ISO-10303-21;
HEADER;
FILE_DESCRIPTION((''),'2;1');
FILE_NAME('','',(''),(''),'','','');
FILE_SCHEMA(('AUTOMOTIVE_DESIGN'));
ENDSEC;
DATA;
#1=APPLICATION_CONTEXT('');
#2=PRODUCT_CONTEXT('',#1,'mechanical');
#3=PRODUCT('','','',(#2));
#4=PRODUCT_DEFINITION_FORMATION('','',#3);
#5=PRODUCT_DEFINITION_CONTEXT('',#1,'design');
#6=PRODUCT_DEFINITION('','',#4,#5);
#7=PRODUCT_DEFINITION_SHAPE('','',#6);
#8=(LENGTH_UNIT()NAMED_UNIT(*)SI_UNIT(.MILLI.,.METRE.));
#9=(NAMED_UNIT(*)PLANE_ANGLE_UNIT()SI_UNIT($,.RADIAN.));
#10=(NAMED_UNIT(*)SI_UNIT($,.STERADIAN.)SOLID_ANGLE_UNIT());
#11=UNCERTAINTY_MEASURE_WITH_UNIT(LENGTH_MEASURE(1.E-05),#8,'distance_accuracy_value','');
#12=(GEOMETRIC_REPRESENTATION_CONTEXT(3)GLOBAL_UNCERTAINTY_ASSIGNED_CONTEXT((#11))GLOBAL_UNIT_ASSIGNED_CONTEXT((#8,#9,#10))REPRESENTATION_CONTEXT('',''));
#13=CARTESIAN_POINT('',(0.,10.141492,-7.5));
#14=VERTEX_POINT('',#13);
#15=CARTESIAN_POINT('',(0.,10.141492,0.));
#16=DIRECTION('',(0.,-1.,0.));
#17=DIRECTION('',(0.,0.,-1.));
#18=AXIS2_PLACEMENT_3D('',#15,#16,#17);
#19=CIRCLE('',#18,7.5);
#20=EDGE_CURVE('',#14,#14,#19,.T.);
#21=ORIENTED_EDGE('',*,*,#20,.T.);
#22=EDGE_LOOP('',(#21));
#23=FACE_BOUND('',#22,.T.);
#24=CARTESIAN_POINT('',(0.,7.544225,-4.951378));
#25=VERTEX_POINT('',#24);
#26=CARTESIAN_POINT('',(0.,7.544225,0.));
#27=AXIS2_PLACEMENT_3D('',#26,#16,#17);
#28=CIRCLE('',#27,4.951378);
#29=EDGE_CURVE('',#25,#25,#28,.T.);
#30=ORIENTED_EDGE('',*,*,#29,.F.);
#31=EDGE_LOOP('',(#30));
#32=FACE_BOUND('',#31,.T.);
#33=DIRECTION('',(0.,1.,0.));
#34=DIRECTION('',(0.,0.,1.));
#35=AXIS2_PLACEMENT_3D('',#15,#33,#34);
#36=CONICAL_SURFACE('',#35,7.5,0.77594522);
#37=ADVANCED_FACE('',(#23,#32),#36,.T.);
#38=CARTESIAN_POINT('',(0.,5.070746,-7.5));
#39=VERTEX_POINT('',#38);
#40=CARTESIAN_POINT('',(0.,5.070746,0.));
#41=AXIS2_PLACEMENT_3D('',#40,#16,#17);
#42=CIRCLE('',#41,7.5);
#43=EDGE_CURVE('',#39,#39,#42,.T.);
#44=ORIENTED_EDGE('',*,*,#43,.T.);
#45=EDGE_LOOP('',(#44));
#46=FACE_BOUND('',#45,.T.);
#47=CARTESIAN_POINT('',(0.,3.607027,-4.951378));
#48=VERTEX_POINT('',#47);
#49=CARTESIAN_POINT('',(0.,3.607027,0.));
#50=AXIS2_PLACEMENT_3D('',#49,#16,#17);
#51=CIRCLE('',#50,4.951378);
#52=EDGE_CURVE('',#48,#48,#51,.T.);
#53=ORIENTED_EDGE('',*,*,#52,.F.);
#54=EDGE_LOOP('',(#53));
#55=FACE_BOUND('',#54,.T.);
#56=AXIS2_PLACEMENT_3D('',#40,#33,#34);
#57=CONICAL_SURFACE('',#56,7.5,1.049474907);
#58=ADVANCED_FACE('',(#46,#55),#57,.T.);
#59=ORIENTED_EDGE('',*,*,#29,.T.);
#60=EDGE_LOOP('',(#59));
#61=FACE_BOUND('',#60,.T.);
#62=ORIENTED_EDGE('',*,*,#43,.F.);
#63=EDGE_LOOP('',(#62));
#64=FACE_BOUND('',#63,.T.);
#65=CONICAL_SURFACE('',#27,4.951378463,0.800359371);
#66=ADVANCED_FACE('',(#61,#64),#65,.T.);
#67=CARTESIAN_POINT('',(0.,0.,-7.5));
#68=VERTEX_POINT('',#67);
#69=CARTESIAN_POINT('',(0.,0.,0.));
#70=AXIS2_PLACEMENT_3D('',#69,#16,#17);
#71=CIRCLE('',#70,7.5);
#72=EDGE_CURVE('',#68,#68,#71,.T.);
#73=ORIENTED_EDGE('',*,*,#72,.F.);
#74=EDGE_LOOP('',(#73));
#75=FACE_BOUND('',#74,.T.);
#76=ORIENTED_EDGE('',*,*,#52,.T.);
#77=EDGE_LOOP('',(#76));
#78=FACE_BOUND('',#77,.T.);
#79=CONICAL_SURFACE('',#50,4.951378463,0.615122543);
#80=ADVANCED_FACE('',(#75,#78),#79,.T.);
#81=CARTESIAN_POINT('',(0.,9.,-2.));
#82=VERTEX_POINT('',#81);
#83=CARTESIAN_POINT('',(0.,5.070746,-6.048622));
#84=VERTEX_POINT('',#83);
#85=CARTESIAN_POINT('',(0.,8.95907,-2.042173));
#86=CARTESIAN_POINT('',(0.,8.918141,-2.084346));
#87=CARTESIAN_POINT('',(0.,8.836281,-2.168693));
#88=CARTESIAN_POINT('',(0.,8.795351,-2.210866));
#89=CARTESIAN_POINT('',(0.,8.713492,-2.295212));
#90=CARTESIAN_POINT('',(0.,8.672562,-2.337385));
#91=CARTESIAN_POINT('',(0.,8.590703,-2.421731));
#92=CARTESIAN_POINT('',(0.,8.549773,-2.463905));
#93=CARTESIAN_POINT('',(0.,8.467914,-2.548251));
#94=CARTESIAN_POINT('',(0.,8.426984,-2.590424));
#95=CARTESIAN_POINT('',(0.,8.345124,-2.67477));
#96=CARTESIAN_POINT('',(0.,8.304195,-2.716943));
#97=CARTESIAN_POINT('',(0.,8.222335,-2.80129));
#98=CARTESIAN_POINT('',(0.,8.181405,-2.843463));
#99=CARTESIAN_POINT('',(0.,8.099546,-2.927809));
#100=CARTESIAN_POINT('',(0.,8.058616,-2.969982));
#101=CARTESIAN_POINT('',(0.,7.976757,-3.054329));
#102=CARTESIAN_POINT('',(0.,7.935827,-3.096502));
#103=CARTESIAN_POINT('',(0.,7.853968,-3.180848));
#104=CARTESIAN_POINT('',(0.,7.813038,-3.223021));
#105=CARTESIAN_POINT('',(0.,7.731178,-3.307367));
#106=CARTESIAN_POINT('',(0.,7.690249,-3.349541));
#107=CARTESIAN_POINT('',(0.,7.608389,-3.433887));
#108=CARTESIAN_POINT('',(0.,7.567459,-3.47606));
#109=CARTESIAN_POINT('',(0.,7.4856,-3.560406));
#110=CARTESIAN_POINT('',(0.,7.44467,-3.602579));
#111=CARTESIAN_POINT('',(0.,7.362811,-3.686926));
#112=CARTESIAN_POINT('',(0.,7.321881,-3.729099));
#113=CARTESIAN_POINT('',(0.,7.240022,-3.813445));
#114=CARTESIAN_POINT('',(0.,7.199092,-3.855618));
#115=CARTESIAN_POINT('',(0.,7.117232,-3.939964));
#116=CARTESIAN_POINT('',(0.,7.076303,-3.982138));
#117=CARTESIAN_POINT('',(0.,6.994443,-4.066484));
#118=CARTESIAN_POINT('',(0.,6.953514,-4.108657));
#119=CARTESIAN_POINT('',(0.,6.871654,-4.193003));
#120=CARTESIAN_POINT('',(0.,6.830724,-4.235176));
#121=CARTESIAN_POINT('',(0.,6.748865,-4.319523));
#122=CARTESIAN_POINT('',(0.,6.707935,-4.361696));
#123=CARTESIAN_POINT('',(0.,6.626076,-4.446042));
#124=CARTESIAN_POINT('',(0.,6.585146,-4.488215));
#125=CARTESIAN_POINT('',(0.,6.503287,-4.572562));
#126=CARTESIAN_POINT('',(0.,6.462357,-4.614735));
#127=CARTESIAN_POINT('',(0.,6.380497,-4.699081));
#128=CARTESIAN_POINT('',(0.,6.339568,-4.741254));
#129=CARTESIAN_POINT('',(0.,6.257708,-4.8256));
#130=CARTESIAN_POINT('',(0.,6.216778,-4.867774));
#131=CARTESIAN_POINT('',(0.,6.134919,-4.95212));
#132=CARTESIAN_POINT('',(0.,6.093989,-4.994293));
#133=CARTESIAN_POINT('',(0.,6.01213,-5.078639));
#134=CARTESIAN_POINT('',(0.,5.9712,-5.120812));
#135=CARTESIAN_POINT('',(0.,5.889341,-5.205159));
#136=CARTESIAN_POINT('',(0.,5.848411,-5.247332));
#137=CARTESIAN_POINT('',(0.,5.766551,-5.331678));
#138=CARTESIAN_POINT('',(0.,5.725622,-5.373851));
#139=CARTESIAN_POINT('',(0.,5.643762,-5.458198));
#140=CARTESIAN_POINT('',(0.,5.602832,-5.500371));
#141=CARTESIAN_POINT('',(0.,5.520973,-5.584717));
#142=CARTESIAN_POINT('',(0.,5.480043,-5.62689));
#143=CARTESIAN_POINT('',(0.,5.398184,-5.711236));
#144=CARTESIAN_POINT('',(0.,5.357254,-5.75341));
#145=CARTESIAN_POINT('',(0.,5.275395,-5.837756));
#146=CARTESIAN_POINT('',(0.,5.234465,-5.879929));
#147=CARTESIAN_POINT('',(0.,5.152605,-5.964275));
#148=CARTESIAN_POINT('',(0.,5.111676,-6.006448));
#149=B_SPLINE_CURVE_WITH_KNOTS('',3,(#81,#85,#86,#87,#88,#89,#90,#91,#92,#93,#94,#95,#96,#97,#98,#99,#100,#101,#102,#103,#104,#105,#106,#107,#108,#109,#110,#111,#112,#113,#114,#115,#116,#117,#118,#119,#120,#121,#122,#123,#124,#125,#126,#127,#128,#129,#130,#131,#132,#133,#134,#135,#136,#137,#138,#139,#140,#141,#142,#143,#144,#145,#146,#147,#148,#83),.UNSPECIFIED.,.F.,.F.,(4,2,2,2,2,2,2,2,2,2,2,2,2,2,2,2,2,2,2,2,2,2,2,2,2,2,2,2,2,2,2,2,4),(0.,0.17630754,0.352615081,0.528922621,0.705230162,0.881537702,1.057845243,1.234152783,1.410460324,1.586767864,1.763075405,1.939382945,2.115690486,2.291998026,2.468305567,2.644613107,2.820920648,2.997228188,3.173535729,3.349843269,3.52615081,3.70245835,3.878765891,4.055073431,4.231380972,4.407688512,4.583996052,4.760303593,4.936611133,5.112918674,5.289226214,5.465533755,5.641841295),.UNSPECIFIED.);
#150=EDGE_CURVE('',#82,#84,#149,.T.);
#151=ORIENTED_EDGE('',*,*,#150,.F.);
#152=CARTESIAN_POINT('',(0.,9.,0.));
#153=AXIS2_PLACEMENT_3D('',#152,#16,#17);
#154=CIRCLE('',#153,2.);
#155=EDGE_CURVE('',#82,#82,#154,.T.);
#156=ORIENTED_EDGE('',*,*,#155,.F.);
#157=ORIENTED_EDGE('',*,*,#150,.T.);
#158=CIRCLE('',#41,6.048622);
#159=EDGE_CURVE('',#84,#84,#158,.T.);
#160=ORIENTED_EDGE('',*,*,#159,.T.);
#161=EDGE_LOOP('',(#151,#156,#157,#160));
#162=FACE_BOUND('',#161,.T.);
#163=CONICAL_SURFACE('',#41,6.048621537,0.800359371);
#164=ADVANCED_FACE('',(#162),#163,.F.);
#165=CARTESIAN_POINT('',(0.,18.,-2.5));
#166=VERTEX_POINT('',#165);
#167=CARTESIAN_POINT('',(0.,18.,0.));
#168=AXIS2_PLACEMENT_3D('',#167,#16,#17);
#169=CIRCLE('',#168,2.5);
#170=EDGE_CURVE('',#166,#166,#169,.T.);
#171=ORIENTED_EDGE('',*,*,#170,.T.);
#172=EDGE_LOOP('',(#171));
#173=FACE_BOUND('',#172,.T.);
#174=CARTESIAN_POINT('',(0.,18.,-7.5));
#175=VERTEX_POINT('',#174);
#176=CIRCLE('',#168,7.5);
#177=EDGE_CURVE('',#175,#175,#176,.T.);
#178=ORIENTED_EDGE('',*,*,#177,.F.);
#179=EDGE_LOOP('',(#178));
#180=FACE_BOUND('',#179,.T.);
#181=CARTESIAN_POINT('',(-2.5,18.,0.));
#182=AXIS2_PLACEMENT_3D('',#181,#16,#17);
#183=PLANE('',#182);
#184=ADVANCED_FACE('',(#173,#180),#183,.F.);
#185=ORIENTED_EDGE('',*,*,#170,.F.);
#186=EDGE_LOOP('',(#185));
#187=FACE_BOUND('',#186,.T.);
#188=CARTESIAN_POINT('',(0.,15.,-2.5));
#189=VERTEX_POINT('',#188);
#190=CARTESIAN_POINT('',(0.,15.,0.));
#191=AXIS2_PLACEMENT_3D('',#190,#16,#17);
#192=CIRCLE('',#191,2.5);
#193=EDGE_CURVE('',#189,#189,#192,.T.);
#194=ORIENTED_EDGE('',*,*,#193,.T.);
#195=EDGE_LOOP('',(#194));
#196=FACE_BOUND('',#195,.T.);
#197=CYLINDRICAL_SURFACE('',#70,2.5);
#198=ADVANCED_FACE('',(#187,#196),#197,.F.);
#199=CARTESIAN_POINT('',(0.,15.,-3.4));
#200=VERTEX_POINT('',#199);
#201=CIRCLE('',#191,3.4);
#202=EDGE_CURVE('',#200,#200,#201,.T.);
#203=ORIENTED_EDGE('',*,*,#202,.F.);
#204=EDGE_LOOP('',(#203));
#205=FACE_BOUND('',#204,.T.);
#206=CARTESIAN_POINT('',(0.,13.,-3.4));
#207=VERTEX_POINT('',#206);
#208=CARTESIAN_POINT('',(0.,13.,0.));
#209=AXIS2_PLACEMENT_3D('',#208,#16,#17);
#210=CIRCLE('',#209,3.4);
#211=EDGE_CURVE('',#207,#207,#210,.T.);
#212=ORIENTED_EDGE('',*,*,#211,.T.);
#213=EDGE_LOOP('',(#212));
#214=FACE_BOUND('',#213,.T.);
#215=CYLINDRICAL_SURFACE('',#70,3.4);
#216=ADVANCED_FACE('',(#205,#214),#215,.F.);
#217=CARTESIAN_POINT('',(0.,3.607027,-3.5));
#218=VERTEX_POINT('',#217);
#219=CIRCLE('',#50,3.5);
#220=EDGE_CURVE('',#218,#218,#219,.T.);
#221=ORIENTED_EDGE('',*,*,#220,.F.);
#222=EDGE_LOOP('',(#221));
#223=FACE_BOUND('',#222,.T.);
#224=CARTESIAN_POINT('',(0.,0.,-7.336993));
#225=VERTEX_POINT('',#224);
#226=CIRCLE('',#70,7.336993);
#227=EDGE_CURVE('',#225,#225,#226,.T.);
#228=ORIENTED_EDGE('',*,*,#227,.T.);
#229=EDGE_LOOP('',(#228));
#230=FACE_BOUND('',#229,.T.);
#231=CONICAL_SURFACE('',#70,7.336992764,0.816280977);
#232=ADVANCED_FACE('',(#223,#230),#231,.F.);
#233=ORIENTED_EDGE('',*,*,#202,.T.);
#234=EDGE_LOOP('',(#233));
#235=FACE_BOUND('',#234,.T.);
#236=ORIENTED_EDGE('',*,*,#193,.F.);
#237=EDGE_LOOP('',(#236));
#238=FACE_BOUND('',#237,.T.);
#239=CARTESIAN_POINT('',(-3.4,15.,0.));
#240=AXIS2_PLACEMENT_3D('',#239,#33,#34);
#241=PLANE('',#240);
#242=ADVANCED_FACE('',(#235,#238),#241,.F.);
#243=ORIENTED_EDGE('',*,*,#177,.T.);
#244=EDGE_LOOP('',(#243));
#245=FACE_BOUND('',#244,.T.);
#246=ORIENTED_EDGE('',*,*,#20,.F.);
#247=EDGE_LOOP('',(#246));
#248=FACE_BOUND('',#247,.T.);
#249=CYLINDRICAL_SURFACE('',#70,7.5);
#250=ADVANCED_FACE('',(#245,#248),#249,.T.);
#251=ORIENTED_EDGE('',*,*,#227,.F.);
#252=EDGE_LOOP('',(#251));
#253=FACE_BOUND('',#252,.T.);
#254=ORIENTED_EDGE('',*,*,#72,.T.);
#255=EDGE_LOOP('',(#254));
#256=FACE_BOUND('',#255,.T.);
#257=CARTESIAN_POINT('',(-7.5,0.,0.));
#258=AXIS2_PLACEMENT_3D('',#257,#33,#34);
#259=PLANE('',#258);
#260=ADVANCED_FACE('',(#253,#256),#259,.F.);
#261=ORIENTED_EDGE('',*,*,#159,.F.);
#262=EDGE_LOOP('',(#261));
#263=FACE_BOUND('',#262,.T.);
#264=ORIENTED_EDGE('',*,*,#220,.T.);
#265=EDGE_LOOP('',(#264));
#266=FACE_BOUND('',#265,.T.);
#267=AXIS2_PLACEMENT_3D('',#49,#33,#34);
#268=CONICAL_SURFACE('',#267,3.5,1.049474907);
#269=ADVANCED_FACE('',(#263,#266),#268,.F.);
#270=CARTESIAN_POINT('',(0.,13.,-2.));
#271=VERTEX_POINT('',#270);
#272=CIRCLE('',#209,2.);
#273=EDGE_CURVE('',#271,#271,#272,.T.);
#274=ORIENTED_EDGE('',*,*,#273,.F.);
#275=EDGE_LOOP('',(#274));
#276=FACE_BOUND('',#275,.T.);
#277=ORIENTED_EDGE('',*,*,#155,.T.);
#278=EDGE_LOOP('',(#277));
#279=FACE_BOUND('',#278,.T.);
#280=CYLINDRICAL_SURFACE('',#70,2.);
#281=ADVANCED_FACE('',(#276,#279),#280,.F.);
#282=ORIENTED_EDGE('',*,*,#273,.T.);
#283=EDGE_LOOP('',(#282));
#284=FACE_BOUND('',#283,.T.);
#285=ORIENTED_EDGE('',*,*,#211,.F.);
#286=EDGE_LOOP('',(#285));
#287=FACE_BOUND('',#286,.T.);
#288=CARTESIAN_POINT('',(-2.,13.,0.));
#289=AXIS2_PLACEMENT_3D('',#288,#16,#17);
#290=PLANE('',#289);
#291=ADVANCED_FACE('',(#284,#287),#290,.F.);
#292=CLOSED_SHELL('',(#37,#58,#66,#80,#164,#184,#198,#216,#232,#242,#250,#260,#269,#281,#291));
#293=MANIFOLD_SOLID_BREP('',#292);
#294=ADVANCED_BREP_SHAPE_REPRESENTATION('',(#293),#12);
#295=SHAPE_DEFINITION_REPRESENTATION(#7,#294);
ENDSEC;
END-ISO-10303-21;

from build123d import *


with BuildPart() as part:
    # Esquisse1 → Révolution1 (revolve)
    with BuildSketch(Plane.XY, mode=Mode.PRIVATE) as r_volution1_sk:
        Polygon((-2.5, 18), (-7.5, 18), (-7.5, 10.141492036), (-4.951378463, 7.544225258), (-7.5, 5.070746018), (-4.951378463, 3.607027364), (-7.5, 0), (-7.336992764, 0), (-3.5, 3.607027364), (-6.048621537, 5.070746018), (-2, 9), (-2, 13), (-3.4, 13), (-3.4, 15), (-2.5, 15), align=None)
    revolve(r_volution1_sk.sketch.rotate(Axis((0, 0, 0), (0, 1, 0)), 270), axis=Axis((0, 0, 0), (0, 1, 0)))


solid = part.part
